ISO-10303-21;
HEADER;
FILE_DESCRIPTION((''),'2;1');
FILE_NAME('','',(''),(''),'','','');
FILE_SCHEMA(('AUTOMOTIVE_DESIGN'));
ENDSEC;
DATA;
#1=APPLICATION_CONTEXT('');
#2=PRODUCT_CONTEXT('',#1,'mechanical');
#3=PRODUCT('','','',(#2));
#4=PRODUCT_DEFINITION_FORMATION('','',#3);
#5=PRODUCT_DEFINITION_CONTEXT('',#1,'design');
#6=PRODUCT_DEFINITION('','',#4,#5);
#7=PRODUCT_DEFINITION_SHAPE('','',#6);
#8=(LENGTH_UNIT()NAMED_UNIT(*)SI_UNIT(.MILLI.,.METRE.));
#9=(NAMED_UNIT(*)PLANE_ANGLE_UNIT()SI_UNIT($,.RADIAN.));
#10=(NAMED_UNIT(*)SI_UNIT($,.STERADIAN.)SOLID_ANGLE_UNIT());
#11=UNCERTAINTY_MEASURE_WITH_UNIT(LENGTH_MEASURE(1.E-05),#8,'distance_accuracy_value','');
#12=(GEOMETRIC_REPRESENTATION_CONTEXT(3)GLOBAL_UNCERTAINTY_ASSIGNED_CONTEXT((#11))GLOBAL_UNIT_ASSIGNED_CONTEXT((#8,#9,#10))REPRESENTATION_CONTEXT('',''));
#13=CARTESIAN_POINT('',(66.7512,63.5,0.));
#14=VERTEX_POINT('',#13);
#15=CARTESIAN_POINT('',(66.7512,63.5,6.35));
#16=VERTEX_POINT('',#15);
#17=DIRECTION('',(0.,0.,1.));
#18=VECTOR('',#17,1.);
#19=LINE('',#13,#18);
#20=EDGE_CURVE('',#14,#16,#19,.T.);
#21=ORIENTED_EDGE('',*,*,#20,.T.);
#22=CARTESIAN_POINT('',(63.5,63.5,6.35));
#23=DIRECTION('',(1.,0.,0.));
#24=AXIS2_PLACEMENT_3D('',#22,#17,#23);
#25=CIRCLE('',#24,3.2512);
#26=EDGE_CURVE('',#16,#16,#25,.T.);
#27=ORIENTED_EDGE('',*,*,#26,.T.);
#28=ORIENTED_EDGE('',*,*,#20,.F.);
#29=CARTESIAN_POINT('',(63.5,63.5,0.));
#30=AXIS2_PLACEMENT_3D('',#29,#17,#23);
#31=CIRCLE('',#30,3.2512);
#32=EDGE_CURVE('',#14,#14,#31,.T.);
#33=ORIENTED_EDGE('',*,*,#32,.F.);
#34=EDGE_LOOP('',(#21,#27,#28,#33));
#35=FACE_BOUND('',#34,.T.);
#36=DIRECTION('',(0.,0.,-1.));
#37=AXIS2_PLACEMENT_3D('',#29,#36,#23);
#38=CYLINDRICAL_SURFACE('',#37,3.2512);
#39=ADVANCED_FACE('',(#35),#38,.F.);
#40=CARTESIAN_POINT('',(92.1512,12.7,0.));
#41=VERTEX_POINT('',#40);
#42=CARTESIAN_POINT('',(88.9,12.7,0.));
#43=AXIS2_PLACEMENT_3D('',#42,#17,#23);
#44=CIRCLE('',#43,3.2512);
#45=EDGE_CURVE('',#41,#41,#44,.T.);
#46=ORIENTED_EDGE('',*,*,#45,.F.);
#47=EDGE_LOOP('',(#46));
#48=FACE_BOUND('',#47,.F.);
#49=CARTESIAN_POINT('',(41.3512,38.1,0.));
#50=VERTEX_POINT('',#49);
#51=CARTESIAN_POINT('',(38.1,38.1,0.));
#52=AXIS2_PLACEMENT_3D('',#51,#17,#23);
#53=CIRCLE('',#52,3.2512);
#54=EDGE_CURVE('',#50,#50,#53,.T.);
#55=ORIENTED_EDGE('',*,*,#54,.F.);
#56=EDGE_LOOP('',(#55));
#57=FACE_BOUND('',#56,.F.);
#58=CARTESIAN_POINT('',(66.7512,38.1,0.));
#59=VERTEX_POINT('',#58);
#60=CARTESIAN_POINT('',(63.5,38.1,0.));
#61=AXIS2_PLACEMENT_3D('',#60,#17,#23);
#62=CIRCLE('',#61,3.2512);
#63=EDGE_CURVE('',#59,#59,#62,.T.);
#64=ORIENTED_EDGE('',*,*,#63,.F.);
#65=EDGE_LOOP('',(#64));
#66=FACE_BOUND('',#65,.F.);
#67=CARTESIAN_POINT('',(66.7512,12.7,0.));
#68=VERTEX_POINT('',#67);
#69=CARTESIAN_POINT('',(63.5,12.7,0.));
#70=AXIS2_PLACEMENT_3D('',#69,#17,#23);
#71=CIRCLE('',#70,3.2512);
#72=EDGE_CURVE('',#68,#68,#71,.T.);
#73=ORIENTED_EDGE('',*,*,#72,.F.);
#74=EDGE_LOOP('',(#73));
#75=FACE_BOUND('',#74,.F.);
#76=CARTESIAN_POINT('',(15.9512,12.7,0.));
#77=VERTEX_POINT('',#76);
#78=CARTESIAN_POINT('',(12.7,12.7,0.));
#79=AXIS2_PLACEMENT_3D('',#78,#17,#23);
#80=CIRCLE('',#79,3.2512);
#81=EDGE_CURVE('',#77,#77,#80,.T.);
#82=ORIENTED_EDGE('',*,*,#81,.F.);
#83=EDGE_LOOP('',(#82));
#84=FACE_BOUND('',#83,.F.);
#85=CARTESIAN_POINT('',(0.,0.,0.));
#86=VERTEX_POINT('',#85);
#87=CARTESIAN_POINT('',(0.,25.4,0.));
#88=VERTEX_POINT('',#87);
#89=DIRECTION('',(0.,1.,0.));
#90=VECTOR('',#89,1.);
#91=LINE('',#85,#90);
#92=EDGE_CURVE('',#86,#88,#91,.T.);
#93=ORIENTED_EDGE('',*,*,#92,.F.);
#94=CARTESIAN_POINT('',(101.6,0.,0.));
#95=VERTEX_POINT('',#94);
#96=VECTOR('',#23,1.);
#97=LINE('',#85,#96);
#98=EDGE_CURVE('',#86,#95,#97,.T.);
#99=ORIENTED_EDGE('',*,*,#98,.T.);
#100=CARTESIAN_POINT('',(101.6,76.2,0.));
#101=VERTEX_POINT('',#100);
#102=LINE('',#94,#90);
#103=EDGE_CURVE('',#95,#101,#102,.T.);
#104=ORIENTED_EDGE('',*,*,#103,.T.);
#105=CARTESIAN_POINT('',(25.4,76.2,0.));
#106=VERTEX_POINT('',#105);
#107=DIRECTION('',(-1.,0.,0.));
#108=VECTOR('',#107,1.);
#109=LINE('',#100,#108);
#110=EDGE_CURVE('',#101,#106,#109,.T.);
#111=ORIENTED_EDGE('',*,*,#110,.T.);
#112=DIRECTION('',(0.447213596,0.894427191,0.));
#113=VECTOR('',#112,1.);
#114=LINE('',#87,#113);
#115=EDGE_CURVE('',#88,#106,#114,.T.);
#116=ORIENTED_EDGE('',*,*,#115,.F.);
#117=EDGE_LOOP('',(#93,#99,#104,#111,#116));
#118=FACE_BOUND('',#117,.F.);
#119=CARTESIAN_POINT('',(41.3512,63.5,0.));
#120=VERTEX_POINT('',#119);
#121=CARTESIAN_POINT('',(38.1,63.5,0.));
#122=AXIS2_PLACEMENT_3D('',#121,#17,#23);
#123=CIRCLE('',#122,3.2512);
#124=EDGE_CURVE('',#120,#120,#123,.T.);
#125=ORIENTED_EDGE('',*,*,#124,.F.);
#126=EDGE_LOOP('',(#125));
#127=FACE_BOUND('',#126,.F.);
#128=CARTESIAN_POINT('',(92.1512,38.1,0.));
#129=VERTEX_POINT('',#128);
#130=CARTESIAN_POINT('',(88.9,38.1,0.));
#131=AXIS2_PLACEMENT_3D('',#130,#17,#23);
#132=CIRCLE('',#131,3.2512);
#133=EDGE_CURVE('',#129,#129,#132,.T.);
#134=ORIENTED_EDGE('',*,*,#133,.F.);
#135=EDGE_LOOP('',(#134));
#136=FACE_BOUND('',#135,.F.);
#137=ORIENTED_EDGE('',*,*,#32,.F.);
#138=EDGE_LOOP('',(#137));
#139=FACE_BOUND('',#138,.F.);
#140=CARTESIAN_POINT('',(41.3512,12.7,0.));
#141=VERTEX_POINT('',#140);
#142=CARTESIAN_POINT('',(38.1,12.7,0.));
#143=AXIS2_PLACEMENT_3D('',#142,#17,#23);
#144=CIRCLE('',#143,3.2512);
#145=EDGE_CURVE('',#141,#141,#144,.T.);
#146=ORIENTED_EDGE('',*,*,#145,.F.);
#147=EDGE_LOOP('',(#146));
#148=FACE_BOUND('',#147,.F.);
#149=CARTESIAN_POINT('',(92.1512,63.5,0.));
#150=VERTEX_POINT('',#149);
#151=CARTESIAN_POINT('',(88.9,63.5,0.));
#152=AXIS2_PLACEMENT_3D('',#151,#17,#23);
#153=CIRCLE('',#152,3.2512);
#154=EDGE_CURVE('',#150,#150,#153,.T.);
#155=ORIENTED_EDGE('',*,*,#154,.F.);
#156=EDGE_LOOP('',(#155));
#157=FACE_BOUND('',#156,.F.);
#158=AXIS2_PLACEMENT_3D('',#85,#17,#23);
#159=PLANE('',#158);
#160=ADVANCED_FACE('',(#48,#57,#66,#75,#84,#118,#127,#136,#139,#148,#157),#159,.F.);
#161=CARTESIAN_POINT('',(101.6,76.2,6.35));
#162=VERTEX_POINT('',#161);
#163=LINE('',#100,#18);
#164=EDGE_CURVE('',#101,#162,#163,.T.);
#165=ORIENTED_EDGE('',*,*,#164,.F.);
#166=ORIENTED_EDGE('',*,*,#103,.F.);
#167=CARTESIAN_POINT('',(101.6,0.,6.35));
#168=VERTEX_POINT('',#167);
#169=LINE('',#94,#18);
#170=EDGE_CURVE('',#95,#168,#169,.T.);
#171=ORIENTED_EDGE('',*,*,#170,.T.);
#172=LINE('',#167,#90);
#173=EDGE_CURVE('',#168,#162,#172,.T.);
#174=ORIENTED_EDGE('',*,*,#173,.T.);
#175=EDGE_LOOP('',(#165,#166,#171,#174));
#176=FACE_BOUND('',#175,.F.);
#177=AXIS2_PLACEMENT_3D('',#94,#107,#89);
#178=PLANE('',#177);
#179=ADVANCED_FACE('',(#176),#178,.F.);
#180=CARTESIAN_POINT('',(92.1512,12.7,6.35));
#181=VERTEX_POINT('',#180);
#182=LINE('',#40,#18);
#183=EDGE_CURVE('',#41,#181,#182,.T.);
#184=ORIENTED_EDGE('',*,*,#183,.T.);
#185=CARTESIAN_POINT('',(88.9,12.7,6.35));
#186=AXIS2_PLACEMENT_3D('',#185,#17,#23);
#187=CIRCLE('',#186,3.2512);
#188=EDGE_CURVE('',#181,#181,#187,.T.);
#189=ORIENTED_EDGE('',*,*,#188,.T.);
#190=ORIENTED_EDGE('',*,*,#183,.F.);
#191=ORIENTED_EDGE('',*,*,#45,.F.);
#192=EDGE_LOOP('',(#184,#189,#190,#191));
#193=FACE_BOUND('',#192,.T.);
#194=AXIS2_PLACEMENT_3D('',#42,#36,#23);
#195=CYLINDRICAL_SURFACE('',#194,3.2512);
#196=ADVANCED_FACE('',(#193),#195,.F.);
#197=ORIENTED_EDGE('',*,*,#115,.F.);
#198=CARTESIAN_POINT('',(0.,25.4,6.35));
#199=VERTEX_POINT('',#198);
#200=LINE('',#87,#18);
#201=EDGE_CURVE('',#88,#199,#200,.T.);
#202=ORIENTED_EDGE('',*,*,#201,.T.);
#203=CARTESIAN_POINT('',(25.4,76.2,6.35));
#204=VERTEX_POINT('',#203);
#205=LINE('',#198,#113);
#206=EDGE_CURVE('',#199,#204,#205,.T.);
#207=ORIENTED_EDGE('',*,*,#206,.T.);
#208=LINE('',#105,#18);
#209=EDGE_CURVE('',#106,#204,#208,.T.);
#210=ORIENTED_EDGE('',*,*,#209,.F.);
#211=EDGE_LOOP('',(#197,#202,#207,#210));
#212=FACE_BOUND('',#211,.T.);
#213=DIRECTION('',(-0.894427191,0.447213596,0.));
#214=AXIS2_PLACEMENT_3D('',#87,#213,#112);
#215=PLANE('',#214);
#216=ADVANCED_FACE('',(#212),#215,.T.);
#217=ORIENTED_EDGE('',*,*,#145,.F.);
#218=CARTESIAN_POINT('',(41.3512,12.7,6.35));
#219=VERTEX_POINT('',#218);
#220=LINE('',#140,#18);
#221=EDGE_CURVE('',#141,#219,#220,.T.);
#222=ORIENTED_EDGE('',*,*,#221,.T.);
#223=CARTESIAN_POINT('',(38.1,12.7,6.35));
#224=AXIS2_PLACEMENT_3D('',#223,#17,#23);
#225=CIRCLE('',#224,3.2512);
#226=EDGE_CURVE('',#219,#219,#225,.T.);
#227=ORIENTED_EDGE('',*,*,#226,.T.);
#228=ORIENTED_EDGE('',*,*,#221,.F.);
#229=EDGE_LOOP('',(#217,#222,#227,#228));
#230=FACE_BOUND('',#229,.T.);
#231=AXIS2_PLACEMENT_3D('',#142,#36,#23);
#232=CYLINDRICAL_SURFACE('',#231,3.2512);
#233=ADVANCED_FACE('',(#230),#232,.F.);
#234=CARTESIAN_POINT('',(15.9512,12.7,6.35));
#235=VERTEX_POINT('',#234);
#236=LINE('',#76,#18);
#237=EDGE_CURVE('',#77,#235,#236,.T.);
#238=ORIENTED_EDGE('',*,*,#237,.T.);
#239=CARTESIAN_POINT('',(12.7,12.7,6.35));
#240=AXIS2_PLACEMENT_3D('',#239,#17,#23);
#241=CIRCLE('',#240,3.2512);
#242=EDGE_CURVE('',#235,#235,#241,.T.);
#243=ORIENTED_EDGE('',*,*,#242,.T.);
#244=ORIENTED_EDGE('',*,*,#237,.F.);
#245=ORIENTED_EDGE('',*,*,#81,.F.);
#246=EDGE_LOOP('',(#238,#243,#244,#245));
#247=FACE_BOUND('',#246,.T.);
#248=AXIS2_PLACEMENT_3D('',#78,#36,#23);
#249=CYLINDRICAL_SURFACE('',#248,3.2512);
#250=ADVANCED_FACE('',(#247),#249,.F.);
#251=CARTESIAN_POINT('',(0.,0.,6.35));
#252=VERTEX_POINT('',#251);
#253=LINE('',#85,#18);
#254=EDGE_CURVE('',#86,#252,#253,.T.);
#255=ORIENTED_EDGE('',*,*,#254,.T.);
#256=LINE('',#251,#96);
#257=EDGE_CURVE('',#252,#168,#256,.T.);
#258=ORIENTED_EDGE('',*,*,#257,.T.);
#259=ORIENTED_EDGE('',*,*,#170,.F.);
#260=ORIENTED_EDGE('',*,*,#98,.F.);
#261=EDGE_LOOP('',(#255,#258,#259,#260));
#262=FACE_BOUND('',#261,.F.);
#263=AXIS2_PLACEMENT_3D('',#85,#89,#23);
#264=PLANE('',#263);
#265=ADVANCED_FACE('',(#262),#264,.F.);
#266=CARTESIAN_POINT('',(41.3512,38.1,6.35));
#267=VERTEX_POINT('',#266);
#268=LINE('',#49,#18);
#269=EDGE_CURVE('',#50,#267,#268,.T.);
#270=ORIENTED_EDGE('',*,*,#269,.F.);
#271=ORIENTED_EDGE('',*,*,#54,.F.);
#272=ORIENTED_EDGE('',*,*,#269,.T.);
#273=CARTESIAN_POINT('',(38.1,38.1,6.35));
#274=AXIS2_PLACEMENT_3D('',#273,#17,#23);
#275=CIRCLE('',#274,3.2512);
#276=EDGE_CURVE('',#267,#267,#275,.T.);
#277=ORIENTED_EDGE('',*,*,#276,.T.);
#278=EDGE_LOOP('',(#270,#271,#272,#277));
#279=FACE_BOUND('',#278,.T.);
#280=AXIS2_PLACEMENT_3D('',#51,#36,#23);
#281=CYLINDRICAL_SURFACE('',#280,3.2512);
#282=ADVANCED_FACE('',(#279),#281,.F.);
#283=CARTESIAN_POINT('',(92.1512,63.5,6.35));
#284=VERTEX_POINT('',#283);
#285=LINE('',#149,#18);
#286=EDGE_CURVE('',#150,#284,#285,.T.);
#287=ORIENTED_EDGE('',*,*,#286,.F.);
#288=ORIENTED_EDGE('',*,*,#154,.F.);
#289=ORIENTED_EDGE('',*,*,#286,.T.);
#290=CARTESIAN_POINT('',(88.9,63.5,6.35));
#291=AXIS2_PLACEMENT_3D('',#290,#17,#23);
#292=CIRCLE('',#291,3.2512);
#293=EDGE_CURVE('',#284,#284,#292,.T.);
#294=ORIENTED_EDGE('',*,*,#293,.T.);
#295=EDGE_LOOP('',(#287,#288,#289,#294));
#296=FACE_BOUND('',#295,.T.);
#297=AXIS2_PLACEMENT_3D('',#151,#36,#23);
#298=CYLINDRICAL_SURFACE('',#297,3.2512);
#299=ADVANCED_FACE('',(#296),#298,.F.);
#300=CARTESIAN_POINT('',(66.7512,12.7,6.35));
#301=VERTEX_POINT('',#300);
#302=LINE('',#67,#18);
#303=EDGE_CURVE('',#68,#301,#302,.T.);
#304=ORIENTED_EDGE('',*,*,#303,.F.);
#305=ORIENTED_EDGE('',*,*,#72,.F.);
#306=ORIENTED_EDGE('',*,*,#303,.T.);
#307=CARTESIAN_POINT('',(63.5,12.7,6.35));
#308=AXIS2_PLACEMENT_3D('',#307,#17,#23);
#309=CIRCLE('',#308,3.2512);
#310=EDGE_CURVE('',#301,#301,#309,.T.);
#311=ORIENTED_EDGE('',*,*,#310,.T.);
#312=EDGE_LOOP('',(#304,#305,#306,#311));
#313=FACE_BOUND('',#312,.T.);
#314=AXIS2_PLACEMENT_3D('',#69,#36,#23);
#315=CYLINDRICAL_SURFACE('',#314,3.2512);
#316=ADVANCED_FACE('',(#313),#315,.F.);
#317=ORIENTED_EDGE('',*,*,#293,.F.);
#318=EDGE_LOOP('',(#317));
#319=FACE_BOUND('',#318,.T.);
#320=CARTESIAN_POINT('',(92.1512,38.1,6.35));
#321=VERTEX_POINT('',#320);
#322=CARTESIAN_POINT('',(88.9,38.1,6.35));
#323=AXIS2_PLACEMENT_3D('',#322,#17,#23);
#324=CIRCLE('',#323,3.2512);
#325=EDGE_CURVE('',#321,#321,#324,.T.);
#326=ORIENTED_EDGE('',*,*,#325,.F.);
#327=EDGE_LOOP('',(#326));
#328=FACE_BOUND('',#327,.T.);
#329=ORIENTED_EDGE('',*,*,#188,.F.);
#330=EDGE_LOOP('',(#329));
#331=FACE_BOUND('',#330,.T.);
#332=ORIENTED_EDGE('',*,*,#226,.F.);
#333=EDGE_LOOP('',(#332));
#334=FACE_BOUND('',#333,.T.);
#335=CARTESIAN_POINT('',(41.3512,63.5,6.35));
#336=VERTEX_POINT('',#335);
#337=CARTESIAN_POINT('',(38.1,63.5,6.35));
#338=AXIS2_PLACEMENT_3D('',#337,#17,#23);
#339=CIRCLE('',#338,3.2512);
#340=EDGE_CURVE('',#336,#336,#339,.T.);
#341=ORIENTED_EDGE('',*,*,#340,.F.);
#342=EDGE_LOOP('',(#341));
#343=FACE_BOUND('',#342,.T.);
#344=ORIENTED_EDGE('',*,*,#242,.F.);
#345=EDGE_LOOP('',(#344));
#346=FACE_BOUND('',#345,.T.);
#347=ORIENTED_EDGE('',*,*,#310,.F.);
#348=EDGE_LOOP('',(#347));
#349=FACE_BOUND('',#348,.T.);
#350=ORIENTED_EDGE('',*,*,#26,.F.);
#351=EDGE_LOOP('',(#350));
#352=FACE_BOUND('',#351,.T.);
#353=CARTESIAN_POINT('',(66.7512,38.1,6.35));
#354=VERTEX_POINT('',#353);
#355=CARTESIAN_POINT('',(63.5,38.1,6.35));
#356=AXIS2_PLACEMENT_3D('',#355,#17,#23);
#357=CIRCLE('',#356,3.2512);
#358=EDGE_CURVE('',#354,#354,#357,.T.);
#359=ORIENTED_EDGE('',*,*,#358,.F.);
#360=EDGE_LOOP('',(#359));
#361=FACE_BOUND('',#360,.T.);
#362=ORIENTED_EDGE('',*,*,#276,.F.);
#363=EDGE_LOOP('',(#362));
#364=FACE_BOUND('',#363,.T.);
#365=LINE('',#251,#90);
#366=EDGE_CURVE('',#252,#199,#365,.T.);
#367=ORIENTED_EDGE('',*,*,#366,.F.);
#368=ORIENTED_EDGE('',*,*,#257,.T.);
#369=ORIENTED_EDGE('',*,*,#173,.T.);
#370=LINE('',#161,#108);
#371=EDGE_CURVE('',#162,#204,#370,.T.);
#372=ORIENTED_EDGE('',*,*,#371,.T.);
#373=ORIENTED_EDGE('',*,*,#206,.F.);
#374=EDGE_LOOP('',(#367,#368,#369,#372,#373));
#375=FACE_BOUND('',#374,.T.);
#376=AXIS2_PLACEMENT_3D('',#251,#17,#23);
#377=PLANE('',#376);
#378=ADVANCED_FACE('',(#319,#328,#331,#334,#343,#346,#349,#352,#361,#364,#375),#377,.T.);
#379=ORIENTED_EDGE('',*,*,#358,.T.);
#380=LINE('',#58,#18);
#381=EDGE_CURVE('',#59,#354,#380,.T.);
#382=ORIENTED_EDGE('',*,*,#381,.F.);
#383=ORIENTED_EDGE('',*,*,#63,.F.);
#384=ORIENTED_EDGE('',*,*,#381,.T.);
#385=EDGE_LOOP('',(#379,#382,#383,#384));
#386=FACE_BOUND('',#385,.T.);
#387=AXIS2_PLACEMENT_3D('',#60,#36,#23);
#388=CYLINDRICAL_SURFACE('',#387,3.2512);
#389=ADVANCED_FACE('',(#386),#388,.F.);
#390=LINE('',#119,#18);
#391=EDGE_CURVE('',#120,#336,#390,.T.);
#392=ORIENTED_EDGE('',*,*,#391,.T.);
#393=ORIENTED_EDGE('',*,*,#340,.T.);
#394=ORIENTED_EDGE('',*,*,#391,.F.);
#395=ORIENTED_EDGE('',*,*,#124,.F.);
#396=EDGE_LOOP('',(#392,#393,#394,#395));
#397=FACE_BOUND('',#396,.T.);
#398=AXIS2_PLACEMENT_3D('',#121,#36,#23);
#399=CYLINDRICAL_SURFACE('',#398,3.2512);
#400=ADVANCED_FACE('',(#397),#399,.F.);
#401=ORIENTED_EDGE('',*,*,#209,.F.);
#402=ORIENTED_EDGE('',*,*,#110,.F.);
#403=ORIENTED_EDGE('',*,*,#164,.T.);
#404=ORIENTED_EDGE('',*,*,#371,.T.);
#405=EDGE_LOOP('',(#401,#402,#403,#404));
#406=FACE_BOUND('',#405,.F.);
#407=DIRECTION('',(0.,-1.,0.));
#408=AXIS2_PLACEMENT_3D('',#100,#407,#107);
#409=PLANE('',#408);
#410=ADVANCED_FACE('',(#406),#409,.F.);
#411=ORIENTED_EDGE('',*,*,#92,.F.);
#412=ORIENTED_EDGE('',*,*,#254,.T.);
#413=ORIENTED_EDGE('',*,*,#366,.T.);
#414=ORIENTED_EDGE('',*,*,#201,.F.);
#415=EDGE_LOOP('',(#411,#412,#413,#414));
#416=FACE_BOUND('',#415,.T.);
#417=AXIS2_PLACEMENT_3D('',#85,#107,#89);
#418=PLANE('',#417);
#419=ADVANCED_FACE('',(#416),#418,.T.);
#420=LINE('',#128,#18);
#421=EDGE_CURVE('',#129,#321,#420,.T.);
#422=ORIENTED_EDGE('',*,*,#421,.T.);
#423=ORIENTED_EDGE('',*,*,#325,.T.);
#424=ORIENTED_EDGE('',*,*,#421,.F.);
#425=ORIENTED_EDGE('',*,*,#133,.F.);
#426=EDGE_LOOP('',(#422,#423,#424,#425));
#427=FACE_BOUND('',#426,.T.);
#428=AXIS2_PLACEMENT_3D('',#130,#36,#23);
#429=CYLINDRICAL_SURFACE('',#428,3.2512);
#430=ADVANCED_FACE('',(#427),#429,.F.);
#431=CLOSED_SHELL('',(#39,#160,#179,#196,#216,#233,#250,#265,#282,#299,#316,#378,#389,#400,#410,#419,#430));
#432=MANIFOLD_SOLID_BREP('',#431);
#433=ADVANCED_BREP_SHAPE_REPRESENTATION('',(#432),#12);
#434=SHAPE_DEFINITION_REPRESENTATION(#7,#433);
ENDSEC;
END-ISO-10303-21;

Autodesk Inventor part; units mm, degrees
ref_plane "YZ Plane" through (0, 0, 0) normal (1, 0, 0) x (0, 1, 0)
ref_plane "XZ Plane" through (0, 0, 0) normal (0, 1, 0) x (-1, 0, 0)
ref_plane "XY Plane" through (0, 0, 0) normal (0, 0, 1) x (1, 0, 0)
sketch "Sketch1" plane through (0, 0, 0) normal (0, 0, 1) x (1, 0, 0)
  line L0 (0, 0) -> (101.6, 0)
  line L1 (101.6, 0) -> (101.6, 76.2)
  line L2 (101.6, 76.2) -> (25.4, 76.2)
  line L3 (0, 0) -> (0, 25.4)
  line L4 (0, 25.4) -> (25.4, 76.2)
  circle A0 centre (12.7, 12.7) radius 3.2512
  circle A1 centre (38.1, 12.7) radius 3.2512
  circle A2 centre (63.5, 12.7) radius 3.2512
  circle A3 centre (88.9, 12.7) radius 3.2512
  circle A4 centre (88.9, 38.1) radius 3.2512
  circle A5 centre (63.5, 38.1) radius 3.2512
  circle A6 centre (38.1, 38.1) radius 3.2512
  circle A7 centre (88.9, 63.5) radius 3.2512
  circle A8 centre (63.5, 63.5) radius 3.2512
  circle A9 centre (38.1, 63.5) radius 3.2512
  dimension "d0" = 101.6
  dimension "d1" = 76.2
  dimension "d2" = 76.2
  dimension "d3" = 25.4
  dimension "d4" = 6.5024
  dimension "d5" = 12.7
  dimension "d6" = 12.7
  dimension "d9" = 25.4
  dimension "d16" = 25.4
extrude "Extrusion1" add sketch "Sketch1" along normal blind 6.35
properties part number "3x1 L PLate"
